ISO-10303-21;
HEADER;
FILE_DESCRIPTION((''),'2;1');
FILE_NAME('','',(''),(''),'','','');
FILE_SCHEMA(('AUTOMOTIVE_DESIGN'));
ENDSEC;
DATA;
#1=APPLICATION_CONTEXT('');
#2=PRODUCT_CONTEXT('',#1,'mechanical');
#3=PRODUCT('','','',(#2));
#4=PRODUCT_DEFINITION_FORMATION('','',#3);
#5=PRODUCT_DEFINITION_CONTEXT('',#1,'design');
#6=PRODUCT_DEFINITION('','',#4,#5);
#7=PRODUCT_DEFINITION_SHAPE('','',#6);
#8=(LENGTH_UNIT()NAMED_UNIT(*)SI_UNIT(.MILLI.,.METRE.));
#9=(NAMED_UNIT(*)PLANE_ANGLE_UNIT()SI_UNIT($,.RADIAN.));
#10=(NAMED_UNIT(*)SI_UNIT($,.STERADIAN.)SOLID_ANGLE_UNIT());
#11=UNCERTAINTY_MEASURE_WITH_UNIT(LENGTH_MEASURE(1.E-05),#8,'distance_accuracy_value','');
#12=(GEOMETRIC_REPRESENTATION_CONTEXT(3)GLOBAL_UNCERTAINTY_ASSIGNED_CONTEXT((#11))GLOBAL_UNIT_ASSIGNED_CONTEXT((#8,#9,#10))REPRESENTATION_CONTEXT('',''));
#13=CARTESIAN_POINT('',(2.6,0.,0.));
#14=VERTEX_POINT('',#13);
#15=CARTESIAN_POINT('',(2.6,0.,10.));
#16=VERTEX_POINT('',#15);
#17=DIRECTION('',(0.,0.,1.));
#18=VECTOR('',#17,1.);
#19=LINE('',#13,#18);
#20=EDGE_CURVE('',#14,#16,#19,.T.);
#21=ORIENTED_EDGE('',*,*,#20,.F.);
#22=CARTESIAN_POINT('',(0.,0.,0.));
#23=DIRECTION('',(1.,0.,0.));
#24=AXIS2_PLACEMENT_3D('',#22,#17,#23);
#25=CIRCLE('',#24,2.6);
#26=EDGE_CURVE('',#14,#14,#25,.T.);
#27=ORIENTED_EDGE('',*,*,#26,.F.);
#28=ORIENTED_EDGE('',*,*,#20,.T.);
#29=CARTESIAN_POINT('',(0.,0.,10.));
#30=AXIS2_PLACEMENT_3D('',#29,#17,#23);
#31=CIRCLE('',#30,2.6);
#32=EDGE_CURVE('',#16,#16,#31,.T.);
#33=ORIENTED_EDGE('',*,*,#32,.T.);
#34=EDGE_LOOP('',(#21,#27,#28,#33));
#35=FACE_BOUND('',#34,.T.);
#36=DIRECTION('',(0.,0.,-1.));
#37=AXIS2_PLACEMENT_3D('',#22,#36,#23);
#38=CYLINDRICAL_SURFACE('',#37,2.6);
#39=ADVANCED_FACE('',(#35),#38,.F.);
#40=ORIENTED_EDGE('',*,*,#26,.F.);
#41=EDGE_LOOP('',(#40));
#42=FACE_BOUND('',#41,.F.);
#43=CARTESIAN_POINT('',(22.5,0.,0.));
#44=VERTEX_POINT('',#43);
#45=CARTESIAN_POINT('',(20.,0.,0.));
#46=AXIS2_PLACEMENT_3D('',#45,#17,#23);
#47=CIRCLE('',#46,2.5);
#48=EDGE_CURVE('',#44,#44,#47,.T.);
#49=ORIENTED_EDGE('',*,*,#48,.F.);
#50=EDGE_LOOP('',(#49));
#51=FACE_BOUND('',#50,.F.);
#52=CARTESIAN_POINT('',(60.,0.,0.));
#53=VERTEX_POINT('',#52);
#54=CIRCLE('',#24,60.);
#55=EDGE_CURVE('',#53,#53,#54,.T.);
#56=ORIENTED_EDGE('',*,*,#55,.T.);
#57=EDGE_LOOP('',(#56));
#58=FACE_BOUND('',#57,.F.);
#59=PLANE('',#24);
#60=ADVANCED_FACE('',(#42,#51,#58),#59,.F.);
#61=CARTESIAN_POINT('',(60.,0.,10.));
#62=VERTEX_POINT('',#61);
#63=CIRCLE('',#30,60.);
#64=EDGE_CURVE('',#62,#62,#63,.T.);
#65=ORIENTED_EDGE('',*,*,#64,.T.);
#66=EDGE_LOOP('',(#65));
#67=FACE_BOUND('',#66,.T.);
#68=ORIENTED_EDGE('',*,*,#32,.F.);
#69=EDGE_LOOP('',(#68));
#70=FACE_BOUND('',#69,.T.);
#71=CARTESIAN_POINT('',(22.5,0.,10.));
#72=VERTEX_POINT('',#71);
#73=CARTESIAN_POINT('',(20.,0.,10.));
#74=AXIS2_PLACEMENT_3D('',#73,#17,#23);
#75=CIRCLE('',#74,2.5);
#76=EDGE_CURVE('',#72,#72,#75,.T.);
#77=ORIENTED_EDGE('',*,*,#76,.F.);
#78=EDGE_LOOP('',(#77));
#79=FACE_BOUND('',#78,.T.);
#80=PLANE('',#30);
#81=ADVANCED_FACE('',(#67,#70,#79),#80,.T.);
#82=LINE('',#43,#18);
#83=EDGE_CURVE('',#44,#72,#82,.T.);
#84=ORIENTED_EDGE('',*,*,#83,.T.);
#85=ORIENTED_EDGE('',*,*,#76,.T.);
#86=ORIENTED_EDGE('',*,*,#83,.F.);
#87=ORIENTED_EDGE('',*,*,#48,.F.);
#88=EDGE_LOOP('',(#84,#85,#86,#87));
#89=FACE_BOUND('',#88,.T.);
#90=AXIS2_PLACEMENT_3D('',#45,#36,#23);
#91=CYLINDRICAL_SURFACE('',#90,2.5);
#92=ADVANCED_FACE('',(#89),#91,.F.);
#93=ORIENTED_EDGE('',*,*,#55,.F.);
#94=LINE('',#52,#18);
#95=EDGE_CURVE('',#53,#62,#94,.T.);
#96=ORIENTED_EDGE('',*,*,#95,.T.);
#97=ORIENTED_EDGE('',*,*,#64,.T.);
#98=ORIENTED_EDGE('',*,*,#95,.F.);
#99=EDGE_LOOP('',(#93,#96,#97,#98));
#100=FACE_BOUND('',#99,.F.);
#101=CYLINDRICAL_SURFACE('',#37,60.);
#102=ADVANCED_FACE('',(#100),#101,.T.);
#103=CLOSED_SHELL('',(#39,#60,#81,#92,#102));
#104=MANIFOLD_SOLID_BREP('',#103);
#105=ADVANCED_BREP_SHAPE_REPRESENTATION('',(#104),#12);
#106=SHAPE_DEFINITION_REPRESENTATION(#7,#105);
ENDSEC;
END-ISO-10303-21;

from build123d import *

# Parameters (mm, degrees)
SKETCH_R      = 60
SKETCH_R_2    = 2.6
SKETCH_R_3    = 2.5
EXTRUDE_DEPTH = 10


with BuildPart() as part:
    # Sketch → Extrude (new body)
    with BuildSketch(Plane.XY):
        Circle(SKETCH_R)
        Circle(SKETCH_R_2, mode=Mode.SUBTRACT)
        with Locations((20, 0)):
            Circle(SKETCH_R_3, mode=Mode.SUBTRACT)
    extrude(amount=EXTRUDE_DEPTH)


solid = part.part
